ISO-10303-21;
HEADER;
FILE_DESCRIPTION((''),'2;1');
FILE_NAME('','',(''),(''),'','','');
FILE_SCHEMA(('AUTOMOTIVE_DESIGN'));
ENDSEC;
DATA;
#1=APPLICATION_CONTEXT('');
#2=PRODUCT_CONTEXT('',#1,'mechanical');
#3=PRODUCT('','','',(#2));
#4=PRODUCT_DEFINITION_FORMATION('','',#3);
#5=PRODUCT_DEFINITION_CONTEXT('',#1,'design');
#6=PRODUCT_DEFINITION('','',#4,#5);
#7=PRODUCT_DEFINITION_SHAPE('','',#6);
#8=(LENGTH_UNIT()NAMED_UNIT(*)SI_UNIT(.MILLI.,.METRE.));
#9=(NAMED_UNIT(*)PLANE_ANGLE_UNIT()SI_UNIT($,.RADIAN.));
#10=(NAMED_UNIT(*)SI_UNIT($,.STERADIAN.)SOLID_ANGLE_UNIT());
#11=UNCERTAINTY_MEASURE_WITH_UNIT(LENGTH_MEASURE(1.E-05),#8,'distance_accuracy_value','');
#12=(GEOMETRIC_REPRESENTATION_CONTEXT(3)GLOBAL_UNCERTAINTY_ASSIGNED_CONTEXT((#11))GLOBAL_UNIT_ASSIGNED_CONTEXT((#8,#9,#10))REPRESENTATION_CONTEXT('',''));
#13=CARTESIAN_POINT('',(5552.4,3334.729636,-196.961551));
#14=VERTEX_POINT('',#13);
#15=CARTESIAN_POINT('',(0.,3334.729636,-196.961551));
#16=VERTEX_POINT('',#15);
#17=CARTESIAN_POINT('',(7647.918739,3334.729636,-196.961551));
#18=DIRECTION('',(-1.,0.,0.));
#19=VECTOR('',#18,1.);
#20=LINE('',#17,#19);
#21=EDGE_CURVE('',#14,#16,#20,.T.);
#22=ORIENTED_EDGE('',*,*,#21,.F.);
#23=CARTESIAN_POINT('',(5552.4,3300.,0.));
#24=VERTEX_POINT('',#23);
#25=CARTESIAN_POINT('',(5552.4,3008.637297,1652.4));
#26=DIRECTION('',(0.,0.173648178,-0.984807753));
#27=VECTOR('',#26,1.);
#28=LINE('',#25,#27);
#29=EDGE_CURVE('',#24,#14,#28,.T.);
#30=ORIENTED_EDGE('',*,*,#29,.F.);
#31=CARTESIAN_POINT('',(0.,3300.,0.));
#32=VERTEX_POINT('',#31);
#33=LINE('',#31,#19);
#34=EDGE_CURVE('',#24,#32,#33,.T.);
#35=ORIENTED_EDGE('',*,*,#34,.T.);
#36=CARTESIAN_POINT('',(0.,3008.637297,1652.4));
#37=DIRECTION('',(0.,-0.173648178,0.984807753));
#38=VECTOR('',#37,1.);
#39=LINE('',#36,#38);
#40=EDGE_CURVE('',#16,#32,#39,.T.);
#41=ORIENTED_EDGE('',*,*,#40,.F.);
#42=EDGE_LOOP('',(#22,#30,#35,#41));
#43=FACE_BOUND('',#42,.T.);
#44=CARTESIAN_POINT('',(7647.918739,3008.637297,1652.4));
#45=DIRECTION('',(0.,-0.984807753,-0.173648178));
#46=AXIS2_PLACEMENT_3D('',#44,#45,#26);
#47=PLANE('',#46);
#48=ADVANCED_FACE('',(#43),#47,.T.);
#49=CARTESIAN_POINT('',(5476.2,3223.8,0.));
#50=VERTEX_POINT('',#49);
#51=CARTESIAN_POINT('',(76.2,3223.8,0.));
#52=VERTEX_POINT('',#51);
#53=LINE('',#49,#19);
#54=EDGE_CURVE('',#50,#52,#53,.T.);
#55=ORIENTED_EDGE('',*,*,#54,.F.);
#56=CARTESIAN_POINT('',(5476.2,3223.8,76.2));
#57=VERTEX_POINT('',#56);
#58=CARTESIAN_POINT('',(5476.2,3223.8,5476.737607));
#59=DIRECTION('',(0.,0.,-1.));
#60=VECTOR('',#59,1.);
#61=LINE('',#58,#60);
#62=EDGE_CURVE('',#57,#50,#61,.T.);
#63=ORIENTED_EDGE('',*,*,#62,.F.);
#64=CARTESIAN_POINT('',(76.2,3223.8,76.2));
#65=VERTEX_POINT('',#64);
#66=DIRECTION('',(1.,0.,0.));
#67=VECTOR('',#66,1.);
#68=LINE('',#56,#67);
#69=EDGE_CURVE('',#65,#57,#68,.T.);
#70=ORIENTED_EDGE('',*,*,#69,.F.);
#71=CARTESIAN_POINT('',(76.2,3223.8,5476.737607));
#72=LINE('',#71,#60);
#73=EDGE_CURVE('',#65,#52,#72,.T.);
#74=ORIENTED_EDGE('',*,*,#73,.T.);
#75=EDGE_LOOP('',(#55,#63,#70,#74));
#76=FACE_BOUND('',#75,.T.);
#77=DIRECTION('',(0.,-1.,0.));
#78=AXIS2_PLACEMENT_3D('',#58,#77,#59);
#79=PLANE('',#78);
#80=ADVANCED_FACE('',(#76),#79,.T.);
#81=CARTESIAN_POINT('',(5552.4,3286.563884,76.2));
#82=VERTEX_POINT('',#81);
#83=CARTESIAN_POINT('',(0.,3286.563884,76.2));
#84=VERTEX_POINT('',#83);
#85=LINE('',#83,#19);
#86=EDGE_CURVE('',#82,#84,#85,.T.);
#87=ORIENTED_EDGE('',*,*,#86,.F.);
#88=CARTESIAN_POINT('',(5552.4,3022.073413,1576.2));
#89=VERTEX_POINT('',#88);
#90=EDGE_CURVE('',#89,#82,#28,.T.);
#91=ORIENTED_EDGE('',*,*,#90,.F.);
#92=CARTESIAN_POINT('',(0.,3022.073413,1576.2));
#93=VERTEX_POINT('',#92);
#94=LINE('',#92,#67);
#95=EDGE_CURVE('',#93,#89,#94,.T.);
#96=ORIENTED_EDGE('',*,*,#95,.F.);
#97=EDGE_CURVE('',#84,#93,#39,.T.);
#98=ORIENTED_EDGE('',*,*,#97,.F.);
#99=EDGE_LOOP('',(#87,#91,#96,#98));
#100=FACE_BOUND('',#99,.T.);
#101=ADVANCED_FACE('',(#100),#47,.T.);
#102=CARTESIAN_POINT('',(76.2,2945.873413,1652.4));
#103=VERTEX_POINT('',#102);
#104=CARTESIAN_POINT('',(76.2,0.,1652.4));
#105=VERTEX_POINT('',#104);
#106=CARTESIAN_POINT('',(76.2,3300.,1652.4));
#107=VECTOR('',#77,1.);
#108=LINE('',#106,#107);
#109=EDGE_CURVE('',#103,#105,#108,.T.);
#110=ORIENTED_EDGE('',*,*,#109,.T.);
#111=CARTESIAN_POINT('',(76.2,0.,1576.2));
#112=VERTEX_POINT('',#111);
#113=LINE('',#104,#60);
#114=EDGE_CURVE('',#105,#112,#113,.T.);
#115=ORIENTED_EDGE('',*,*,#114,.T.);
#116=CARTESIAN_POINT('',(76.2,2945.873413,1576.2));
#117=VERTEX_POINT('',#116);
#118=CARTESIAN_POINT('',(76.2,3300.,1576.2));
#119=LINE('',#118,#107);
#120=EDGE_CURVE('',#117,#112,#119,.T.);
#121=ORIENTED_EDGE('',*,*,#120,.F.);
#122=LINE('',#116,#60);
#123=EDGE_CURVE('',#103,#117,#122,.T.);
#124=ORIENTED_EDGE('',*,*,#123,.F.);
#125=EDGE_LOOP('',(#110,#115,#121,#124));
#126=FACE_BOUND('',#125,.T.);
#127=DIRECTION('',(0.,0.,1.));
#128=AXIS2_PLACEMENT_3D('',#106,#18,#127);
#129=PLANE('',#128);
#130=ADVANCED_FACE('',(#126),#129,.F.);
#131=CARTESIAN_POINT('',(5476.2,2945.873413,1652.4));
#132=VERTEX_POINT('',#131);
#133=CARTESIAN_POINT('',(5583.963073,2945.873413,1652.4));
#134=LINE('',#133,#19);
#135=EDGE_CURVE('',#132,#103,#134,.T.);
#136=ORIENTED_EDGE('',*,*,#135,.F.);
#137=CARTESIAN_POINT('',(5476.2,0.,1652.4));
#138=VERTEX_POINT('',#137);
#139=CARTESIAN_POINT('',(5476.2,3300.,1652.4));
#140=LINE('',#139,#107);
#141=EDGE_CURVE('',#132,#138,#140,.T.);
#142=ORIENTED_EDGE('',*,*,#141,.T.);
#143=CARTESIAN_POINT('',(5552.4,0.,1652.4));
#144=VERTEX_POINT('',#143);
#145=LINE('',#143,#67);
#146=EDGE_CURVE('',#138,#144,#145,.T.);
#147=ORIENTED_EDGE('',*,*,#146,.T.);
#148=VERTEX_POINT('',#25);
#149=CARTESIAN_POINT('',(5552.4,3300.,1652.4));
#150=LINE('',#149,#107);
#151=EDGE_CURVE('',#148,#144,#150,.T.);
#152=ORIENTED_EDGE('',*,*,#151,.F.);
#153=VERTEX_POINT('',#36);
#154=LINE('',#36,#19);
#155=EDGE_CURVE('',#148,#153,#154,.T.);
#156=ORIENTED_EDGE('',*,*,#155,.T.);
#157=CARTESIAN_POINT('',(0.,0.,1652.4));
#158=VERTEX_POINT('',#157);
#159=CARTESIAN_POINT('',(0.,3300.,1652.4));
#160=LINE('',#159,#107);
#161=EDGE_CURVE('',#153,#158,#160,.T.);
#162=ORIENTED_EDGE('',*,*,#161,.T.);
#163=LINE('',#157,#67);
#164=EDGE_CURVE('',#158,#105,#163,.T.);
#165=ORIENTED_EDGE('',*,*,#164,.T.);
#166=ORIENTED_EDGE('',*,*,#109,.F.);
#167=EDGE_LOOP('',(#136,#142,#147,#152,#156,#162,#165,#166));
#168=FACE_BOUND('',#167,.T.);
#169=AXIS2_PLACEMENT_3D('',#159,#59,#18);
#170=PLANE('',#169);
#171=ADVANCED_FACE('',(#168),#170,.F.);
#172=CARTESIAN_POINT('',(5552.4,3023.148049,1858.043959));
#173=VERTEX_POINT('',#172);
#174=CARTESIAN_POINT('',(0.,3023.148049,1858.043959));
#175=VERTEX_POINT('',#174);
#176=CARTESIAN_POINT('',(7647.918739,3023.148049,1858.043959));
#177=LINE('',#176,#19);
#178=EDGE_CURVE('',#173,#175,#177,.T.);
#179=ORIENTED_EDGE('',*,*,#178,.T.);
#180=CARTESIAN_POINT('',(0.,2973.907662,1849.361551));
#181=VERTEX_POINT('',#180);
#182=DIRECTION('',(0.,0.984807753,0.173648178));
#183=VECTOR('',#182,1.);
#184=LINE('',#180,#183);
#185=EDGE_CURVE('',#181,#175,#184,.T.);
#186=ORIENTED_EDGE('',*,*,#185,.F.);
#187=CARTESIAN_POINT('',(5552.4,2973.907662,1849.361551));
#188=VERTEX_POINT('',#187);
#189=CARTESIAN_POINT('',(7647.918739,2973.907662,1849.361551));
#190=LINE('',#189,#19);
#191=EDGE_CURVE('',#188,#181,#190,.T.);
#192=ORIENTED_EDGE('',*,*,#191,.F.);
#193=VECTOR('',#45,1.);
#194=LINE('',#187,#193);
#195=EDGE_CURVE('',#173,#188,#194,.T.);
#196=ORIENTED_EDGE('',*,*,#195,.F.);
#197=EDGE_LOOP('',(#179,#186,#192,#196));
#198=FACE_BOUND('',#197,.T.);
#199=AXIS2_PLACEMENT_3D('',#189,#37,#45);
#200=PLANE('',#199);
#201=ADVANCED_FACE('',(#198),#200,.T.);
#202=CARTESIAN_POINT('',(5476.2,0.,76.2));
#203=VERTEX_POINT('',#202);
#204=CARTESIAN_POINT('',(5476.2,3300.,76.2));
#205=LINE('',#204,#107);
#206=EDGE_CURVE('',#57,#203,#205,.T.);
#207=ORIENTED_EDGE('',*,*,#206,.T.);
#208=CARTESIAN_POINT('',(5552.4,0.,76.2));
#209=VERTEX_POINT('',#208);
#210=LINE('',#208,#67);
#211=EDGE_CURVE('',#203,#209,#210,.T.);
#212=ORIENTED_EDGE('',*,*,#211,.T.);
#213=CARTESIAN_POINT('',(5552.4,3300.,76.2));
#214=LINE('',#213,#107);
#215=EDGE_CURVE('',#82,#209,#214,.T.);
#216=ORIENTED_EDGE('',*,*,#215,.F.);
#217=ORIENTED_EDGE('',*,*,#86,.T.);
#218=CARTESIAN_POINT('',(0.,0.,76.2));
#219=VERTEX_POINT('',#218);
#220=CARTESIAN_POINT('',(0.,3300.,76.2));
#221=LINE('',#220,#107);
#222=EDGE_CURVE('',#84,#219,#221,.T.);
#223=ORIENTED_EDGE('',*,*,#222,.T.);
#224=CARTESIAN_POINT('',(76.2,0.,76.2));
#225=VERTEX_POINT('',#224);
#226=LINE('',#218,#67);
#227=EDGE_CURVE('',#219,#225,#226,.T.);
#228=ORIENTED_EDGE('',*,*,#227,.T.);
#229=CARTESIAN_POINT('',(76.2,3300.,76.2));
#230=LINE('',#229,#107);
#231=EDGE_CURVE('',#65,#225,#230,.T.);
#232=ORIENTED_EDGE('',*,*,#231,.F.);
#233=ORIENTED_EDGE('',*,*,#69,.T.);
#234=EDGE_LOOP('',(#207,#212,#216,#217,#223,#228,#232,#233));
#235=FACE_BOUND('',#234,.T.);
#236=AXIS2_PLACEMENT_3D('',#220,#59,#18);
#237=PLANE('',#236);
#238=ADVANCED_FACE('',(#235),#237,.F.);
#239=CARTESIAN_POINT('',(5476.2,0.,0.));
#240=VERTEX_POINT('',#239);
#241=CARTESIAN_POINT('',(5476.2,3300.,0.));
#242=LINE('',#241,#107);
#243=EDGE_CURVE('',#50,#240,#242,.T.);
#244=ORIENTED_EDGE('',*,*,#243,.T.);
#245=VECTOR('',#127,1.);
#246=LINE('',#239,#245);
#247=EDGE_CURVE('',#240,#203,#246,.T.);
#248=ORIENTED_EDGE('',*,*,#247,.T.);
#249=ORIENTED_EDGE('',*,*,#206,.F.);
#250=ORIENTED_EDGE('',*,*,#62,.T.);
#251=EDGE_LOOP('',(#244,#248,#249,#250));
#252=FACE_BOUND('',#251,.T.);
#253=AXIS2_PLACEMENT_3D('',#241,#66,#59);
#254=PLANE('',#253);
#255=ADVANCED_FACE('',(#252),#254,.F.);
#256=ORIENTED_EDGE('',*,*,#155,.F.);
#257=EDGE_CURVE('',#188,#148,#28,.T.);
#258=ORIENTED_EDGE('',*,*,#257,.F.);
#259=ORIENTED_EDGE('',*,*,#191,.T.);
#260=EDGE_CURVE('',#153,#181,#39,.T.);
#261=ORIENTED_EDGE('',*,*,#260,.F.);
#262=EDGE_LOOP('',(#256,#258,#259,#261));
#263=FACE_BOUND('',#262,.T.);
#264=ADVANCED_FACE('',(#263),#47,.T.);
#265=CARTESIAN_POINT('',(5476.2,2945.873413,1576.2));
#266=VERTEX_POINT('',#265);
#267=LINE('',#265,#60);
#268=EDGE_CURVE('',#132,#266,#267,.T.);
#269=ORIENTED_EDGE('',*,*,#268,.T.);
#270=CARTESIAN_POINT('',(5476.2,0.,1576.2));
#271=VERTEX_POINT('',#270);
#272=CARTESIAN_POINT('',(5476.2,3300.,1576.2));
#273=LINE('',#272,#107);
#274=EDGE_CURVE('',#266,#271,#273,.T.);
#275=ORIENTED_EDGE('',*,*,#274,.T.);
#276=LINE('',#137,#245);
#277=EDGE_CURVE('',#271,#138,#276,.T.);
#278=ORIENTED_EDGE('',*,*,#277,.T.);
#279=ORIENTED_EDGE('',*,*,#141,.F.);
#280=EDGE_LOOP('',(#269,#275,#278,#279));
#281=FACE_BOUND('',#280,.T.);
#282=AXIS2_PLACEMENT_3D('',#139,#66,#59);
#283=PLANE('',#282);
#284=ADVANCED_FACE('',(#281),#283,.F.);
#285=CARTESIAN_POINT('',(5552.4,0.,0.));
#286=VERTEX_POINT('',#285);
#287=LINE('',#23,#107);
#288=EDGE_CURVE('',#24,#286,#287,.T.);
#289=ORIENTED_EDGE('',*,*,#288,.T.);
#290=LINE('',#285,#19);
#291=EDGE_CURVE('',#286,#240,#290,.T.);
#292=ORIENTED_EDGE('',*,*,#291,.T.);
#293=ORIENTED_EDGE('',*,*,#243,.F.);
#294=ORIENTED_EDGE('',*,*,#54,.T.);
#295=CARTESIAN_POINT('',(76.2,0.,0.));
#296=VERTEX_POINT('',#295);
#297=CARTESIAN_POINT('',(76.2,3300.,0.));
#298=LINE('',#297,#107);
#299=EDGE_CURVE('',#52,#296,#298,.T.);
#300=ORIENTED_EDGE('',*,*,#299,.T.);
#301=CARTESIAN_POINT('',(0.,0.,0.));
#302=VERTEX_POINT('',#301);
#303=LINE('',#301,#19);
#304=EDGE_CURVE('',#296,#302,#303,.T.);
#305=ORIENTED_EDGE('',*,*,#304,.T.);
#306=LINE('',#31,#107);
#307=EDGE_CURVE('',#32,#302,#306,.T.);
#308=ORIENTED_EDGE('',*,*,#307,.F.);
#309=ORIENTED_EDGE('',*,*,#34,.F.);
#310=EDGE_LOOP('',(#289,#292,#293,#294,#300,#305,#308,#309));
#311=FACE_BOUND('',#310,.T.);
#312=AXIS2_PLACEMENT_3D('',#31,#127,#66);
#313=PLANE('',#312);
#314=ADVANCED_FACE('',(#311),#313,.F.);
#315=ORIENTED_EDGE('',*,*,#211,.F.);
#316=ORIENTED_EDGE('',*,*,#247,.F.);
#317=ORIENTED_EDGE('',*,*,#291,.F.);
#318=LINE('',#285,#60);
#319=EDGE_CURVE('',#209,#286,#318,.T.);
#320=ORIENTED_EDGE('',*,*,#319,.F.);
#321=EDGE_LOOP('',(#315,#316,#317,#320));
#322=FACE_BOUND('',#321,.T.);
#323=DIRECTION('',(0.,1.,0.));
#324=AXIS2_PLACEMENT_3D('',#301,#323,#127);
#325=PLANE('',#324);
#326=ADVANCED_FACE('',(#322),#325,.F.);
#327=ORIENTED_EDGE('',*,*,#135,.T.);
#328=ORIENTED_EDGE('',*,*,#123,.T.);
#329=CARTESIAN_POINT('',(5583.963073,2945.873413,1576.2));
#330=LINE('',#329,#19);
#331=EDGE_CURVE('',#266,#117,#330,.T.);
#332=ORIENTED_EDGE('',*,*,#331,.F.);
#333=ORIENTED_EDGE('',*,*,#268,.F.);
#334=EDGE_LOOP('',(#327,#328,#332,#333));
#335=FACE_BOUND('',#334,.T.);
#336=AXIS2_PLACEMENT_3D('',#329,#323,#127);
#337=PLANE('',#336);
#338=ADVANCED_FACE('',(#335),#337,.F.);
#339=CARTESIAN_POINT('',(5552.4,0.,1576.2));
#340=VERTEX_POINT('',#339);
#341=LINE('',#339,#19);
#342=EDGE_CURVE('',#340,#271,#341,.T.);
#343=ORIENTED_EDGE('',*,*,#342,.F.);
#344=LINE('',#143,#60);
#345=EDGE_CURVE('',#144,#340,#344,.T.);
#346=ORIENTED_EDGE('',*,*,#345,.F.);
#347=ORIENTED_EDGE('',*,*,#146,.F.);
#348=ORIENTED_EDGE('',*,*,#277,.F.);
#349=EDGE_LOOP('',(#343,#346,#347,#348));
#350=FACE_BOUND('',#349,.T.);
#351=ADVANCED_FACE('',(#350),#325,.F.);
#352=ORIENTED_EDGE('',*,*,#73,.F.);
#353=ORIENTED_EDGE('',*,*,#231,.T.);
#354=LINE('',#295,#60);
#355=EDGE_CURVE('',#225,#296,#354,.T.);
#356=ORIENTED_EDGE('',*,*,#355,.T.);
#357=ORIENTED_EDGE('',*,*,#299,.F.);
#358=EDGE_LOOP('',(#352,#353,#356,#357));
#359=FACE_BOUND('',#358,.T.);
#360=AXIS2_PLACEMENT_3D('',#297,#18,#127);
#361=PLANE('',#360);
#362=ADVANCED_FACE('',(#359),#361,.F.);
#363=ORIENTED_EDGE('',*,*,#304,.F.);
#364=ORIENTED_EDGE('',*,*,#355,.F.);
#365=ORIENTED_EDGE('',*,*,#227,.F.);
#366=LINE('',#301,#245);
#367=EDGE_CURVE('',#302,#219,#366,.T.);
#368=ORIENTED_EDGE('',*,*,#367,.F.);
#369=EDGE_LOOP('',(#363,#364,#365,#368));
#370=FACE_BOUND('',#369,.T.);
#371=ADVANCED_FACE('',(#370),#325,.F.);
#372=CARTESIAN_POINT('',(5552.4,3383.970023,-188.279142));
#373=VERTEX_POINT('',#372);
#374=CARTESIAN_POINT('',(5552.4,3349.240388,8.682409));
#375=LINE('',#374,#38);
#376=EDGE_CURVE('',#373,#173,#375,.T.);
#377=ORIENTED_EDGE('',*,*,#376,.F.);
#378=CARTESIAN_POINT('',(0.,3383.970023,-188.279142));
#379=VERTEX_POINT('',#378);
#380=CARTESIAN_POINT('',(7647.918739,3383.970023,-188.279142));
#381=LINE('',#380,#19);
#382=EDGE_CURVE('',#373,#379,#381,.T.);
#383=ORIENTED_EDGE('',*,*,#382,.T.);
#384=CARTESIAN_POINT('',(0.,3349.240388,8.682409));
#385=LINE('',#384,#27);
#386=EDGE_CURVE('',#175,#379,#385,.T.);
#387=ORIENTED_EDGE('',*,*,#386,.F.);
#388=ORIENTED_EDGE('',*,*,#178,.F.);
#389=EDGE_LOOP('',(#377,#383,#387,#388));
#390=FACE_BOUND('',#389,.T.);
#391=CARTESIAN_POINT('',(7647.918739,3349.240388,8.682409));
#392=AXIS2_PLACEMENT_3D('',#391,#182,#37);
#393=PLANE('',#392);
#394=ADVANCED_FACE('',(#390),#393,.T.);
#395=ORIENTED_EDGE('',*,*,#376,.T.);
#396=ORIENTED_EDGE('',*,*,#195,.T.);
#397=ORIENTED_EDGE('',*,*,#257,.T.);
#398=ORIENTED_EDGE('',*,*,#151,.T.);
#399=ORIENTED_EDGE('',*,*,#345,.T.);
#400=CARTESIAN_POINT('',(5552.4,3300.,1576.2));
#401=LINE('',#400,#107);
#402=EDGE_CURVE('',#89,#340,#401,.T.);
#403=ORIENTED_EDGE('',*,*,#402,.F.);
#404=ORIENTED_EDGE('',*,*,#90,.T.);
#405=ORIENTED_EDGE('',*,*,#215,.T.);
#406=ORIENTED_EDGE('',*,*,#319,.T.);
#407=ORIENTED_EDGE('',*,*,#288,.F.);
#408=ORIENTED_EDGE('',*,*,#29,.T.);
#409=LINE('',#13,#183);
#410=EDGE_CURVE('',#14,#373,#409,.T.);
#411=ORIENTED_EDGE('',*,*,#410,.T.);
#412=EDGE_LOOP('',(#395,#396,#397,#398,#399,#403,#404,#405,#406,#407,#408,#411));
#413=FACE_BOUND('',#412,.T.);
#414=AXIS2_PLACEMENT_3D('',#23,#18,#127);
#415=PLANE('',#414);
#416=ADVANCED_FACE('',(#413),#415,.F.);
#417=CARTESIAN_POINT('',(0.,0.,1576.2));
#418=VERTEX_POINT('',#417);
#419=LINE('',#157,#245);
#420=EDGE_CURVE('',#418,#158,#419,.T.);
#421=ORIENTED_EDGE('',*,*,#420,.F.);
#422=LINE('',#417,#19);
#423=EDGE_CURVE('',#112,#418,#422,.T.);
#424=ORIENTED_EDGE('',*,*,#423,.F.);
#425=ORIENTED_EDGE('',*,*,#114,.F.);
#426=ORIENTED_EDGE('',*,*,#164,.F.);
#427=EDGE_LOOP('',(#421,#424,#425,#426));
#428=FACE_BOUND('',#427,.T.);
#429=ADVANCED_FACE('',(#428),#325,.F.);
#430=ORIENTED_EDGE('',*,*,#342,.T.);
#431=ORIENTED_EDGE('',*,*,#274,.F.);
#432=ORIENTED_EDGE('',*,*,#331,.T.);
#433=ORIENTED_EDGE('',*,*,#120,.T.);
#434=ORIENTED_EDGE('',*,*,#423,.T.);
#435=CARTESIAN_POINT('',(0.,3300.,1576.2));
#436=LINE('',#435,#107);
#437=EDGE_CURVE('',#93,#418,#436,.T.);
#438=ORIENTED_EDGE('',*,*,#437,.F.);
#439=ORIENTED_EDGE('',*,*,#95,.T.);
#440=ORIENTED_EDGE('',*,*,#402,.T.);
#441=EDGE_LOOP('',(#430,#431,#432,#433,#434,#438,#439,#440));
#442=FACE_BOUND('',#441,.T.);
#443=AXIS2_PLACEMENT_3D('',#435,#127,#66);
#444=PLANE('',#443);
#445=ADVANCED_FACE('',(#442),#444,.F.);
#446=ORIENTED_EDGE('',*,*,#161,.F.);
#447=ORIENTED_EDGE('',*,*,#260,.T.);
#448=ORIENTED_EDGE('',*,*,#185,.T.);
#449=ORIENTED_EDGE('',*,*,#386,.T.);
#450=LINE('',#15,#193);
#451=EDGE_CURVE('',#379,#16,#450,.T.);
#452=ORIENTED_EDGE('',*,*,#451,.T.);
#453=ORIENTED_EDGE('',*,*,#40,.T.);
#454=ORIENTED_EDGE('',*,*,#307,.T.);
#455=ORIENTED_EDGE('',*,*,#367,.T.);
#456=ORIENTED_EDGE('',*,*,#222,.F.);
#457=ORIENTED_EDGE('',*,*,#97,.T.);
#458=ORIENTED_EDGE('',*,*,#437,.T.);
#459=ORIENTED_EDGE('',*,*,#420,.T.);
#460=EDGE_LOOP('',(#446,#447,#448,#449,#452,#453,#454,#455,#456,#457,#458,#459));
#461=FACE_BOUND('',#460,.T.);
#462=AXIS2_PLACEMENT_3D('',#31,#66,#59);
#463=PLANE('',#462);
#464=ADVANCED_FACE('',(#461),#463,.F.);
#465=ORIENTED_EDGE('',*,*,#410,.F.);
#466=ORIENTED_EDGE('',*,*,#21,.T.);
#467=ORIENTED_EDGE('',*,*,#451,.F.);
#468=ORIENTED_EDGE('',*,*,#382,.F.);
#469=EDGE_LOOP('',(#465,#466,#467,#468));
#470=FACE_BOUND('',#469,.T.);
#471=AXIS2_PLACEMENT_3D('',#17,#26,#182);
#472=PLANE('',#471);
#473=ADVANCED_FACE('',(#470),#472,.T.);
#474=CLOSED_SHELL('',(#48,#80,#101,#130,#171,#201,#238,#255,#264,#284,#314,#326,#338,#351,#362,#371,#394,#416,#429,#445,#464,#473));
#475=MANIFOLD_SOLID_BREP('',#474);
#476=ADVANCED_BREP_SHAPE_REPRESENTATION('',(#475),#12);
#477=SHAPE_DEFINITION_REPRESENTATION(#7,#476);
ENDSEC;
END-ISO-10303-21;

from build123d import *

# Parameters (mm, degrees)
CROQUIS1_W                = 76.2
CROQUIS1_H                = 76.2
SALIENTE_EXTRUIR1_DEPTH   = 3300
SALIENTE_EXTRUIR1_2_DEPTH = 3300
SALIENTE_EXTRUIR1_3_DEPTH = 3300
SALIENTE_EXTRUIR1_4_DEPTH = 3300
CORTAR_EXTRUIR3_START     = -5552.4
CORTAR_EXTRUIR3_DEPTH     = 5552.4
SALIENTE_EXTRUIR3_DEPTH   = 5552.4
CROQUIS7_W                = 5400
CROQUIS7_H                = 76.2
SALIENTE_EXTRUIR4_DEPTH   = 76.2
SALIENTE_EXTRUIR6_DEPTH   = 5400


with BuildPart() as part:
    # Croquis1 → Saliente-Extruir1 (new body)
    with BuildSketch(Plane(origin=(0, 0, 0), x_dir=(1, 0, 0), z_dir=(0, 1, 0))):
        with Locations((38.1, -38.1)):
            Rectangle(CROQUIS1_W, CROQUIS1_H)
    extrude(amount=SALIENTE_EXTRUIR1_DEPTH)


with BuildPart() as body_2:
    # Croquis1 → Saliente-Extruir1 2 (new body)
    with BuildSketch(Plane(origin=(0, 0, 0), x_dir=(1, 0, 0), z_dir=(0, 1, 0))):
        with Locations((5514.3, -38.1)):
            Rectangle(CROQUIS1_W, CROQUIS1_H)
    extrude(amount=SALIENTE_EXTRUIR1_2_DEPTH)


with BuildPart() as body_3:
    # Croquis1 → Saliente-Extruir1 3 (new body)
    with BuildSketch(Plane(origin=(0, 0, 0), x_dir=(1, 0, 0), z_dir=(0, 1, 0))):
        with Locations((5514.3, -1614.3)):
            Rectangle(CROQUIS1_W, CROQUIS1_H)
    extrude(amount=SALIENTE_EXTRUIR1_3_DEPTH)


with BuildPart() as body_4:
    # Croquis1 → Saliente-Extruir1 4 (new body)
    with BuildSketch(Plane(origin=(0, 0, 0), x_dir=(1, 0, 0), z_dir=(0, 1, 0))):
        with Locations((38.1, -1614.3)):
            Rectangle(CROQUIS1_W, CROQUIS1_H)
    extrude(amount=SALIENTE_EXTRUIR1_4_DEPTH)


with BuildPart() as cortar_extruir3_tool:
    # Croquis5 → Cortar-Extruir3 (new body)
    with BuildSketch(Plane(origin=(5552.4, 0, 0), x_dir=(0, 0, -1), z_dir=(1, 0, 0)).offset(CORTAR_EXTRUIR3_START)):
        Polygon((0, 3300), (-2183.717463872, 2914.951692875), (-2226.424126041, 4680.194752027), (0, 4614.378523912), align=None)
    extrude(amount=CORTAR_EXTRUIR3_DEPTH)


with BuildPart() as part_1:
    add(part.part)

    # Cortar-Extruir3: cut by cortar_extruir3_tool
    add(cortar_extruir3_tool.part, mode=Mode.SUBTRACT)



with BuildPart() as body_2_1:
    add(body_2.part)

    # Cortar-Extruir3: cut by cortar_extruir3_tool
    add(cortar_extruir3_tool.part, mode=Mode.SUBTRACT)


with BuildPart() as body_3_1:
    add(body_3.part)

    # Cortar-Extruir3: cut by cortar_extruir3_tool
    add(cortar_extruir3_tool.part, mode=Mode.SUBTRACT)


with BuildPart() as body_4_1:
    add(body_4.part)

    # Cortar-Extruir3: cut by cortar_extruir3_tool
    add(cortar_extruir3_tool.part, mode=Mode.SUBTRACT)


with BuildPart() as part_2:
    add(part_1.part)

    add(body_2_1.part)  # Saliente-Extruir3 merges body 2

    add(body_3_1.part)  # Saliente-Extruir3 merges body 3

    add(body_4_1.part)  # Saliente-Extruir3 merges body 4
    # Croquis6 → Saliente-Extruir3 (add)
    with BuildSketch(Plane.ZY):
        Polygon((0, 3300), (1652.4, 3008.637297077), (1849.361550602, 2973.907661544), (1858.043959486, 3023.148049195), (1661.082408883, 3057.877684728), (8.682408883, 3349.240387651), (-188.279141719, 3383.970023184), (-196.961550602, 3334.729635533), align=None)
    extrude(amount=-SALIENTE_EXTRUIR3_DEPTH)

    # Croquis7 → Saliente-Extruir4 (add)
    with BuildSketch(Plane(origin=(0, 0, 0), x_dir=(-1, 0, 0), z_dir=(0, 0, -1))):
        with Locations((-2776.2, 3261.9)):
            Rectangle(CROQUIS7_W, CROQUIS7_H)
    extrude(amount=-SALIENTE_EXTRUIR4_DEPTH)

    # Croquis9 → Saliente-Extruir6 (add)
    with BuildSketch(Plane(origin=(76.2, 0, 0), x_dir=(0, 0, -1), z_dir=(1, 0, 0))):
        Polygon((-1576.2, 3022.073413007), (-1576.2, 2945.873413007), (-1652.4, 2945.873413007), (-1652.4, 3008.637297077), align=None)
    extrude(amount=SALIENTE_EXTRUIR6_DEPTH)


solid = part_2.part
